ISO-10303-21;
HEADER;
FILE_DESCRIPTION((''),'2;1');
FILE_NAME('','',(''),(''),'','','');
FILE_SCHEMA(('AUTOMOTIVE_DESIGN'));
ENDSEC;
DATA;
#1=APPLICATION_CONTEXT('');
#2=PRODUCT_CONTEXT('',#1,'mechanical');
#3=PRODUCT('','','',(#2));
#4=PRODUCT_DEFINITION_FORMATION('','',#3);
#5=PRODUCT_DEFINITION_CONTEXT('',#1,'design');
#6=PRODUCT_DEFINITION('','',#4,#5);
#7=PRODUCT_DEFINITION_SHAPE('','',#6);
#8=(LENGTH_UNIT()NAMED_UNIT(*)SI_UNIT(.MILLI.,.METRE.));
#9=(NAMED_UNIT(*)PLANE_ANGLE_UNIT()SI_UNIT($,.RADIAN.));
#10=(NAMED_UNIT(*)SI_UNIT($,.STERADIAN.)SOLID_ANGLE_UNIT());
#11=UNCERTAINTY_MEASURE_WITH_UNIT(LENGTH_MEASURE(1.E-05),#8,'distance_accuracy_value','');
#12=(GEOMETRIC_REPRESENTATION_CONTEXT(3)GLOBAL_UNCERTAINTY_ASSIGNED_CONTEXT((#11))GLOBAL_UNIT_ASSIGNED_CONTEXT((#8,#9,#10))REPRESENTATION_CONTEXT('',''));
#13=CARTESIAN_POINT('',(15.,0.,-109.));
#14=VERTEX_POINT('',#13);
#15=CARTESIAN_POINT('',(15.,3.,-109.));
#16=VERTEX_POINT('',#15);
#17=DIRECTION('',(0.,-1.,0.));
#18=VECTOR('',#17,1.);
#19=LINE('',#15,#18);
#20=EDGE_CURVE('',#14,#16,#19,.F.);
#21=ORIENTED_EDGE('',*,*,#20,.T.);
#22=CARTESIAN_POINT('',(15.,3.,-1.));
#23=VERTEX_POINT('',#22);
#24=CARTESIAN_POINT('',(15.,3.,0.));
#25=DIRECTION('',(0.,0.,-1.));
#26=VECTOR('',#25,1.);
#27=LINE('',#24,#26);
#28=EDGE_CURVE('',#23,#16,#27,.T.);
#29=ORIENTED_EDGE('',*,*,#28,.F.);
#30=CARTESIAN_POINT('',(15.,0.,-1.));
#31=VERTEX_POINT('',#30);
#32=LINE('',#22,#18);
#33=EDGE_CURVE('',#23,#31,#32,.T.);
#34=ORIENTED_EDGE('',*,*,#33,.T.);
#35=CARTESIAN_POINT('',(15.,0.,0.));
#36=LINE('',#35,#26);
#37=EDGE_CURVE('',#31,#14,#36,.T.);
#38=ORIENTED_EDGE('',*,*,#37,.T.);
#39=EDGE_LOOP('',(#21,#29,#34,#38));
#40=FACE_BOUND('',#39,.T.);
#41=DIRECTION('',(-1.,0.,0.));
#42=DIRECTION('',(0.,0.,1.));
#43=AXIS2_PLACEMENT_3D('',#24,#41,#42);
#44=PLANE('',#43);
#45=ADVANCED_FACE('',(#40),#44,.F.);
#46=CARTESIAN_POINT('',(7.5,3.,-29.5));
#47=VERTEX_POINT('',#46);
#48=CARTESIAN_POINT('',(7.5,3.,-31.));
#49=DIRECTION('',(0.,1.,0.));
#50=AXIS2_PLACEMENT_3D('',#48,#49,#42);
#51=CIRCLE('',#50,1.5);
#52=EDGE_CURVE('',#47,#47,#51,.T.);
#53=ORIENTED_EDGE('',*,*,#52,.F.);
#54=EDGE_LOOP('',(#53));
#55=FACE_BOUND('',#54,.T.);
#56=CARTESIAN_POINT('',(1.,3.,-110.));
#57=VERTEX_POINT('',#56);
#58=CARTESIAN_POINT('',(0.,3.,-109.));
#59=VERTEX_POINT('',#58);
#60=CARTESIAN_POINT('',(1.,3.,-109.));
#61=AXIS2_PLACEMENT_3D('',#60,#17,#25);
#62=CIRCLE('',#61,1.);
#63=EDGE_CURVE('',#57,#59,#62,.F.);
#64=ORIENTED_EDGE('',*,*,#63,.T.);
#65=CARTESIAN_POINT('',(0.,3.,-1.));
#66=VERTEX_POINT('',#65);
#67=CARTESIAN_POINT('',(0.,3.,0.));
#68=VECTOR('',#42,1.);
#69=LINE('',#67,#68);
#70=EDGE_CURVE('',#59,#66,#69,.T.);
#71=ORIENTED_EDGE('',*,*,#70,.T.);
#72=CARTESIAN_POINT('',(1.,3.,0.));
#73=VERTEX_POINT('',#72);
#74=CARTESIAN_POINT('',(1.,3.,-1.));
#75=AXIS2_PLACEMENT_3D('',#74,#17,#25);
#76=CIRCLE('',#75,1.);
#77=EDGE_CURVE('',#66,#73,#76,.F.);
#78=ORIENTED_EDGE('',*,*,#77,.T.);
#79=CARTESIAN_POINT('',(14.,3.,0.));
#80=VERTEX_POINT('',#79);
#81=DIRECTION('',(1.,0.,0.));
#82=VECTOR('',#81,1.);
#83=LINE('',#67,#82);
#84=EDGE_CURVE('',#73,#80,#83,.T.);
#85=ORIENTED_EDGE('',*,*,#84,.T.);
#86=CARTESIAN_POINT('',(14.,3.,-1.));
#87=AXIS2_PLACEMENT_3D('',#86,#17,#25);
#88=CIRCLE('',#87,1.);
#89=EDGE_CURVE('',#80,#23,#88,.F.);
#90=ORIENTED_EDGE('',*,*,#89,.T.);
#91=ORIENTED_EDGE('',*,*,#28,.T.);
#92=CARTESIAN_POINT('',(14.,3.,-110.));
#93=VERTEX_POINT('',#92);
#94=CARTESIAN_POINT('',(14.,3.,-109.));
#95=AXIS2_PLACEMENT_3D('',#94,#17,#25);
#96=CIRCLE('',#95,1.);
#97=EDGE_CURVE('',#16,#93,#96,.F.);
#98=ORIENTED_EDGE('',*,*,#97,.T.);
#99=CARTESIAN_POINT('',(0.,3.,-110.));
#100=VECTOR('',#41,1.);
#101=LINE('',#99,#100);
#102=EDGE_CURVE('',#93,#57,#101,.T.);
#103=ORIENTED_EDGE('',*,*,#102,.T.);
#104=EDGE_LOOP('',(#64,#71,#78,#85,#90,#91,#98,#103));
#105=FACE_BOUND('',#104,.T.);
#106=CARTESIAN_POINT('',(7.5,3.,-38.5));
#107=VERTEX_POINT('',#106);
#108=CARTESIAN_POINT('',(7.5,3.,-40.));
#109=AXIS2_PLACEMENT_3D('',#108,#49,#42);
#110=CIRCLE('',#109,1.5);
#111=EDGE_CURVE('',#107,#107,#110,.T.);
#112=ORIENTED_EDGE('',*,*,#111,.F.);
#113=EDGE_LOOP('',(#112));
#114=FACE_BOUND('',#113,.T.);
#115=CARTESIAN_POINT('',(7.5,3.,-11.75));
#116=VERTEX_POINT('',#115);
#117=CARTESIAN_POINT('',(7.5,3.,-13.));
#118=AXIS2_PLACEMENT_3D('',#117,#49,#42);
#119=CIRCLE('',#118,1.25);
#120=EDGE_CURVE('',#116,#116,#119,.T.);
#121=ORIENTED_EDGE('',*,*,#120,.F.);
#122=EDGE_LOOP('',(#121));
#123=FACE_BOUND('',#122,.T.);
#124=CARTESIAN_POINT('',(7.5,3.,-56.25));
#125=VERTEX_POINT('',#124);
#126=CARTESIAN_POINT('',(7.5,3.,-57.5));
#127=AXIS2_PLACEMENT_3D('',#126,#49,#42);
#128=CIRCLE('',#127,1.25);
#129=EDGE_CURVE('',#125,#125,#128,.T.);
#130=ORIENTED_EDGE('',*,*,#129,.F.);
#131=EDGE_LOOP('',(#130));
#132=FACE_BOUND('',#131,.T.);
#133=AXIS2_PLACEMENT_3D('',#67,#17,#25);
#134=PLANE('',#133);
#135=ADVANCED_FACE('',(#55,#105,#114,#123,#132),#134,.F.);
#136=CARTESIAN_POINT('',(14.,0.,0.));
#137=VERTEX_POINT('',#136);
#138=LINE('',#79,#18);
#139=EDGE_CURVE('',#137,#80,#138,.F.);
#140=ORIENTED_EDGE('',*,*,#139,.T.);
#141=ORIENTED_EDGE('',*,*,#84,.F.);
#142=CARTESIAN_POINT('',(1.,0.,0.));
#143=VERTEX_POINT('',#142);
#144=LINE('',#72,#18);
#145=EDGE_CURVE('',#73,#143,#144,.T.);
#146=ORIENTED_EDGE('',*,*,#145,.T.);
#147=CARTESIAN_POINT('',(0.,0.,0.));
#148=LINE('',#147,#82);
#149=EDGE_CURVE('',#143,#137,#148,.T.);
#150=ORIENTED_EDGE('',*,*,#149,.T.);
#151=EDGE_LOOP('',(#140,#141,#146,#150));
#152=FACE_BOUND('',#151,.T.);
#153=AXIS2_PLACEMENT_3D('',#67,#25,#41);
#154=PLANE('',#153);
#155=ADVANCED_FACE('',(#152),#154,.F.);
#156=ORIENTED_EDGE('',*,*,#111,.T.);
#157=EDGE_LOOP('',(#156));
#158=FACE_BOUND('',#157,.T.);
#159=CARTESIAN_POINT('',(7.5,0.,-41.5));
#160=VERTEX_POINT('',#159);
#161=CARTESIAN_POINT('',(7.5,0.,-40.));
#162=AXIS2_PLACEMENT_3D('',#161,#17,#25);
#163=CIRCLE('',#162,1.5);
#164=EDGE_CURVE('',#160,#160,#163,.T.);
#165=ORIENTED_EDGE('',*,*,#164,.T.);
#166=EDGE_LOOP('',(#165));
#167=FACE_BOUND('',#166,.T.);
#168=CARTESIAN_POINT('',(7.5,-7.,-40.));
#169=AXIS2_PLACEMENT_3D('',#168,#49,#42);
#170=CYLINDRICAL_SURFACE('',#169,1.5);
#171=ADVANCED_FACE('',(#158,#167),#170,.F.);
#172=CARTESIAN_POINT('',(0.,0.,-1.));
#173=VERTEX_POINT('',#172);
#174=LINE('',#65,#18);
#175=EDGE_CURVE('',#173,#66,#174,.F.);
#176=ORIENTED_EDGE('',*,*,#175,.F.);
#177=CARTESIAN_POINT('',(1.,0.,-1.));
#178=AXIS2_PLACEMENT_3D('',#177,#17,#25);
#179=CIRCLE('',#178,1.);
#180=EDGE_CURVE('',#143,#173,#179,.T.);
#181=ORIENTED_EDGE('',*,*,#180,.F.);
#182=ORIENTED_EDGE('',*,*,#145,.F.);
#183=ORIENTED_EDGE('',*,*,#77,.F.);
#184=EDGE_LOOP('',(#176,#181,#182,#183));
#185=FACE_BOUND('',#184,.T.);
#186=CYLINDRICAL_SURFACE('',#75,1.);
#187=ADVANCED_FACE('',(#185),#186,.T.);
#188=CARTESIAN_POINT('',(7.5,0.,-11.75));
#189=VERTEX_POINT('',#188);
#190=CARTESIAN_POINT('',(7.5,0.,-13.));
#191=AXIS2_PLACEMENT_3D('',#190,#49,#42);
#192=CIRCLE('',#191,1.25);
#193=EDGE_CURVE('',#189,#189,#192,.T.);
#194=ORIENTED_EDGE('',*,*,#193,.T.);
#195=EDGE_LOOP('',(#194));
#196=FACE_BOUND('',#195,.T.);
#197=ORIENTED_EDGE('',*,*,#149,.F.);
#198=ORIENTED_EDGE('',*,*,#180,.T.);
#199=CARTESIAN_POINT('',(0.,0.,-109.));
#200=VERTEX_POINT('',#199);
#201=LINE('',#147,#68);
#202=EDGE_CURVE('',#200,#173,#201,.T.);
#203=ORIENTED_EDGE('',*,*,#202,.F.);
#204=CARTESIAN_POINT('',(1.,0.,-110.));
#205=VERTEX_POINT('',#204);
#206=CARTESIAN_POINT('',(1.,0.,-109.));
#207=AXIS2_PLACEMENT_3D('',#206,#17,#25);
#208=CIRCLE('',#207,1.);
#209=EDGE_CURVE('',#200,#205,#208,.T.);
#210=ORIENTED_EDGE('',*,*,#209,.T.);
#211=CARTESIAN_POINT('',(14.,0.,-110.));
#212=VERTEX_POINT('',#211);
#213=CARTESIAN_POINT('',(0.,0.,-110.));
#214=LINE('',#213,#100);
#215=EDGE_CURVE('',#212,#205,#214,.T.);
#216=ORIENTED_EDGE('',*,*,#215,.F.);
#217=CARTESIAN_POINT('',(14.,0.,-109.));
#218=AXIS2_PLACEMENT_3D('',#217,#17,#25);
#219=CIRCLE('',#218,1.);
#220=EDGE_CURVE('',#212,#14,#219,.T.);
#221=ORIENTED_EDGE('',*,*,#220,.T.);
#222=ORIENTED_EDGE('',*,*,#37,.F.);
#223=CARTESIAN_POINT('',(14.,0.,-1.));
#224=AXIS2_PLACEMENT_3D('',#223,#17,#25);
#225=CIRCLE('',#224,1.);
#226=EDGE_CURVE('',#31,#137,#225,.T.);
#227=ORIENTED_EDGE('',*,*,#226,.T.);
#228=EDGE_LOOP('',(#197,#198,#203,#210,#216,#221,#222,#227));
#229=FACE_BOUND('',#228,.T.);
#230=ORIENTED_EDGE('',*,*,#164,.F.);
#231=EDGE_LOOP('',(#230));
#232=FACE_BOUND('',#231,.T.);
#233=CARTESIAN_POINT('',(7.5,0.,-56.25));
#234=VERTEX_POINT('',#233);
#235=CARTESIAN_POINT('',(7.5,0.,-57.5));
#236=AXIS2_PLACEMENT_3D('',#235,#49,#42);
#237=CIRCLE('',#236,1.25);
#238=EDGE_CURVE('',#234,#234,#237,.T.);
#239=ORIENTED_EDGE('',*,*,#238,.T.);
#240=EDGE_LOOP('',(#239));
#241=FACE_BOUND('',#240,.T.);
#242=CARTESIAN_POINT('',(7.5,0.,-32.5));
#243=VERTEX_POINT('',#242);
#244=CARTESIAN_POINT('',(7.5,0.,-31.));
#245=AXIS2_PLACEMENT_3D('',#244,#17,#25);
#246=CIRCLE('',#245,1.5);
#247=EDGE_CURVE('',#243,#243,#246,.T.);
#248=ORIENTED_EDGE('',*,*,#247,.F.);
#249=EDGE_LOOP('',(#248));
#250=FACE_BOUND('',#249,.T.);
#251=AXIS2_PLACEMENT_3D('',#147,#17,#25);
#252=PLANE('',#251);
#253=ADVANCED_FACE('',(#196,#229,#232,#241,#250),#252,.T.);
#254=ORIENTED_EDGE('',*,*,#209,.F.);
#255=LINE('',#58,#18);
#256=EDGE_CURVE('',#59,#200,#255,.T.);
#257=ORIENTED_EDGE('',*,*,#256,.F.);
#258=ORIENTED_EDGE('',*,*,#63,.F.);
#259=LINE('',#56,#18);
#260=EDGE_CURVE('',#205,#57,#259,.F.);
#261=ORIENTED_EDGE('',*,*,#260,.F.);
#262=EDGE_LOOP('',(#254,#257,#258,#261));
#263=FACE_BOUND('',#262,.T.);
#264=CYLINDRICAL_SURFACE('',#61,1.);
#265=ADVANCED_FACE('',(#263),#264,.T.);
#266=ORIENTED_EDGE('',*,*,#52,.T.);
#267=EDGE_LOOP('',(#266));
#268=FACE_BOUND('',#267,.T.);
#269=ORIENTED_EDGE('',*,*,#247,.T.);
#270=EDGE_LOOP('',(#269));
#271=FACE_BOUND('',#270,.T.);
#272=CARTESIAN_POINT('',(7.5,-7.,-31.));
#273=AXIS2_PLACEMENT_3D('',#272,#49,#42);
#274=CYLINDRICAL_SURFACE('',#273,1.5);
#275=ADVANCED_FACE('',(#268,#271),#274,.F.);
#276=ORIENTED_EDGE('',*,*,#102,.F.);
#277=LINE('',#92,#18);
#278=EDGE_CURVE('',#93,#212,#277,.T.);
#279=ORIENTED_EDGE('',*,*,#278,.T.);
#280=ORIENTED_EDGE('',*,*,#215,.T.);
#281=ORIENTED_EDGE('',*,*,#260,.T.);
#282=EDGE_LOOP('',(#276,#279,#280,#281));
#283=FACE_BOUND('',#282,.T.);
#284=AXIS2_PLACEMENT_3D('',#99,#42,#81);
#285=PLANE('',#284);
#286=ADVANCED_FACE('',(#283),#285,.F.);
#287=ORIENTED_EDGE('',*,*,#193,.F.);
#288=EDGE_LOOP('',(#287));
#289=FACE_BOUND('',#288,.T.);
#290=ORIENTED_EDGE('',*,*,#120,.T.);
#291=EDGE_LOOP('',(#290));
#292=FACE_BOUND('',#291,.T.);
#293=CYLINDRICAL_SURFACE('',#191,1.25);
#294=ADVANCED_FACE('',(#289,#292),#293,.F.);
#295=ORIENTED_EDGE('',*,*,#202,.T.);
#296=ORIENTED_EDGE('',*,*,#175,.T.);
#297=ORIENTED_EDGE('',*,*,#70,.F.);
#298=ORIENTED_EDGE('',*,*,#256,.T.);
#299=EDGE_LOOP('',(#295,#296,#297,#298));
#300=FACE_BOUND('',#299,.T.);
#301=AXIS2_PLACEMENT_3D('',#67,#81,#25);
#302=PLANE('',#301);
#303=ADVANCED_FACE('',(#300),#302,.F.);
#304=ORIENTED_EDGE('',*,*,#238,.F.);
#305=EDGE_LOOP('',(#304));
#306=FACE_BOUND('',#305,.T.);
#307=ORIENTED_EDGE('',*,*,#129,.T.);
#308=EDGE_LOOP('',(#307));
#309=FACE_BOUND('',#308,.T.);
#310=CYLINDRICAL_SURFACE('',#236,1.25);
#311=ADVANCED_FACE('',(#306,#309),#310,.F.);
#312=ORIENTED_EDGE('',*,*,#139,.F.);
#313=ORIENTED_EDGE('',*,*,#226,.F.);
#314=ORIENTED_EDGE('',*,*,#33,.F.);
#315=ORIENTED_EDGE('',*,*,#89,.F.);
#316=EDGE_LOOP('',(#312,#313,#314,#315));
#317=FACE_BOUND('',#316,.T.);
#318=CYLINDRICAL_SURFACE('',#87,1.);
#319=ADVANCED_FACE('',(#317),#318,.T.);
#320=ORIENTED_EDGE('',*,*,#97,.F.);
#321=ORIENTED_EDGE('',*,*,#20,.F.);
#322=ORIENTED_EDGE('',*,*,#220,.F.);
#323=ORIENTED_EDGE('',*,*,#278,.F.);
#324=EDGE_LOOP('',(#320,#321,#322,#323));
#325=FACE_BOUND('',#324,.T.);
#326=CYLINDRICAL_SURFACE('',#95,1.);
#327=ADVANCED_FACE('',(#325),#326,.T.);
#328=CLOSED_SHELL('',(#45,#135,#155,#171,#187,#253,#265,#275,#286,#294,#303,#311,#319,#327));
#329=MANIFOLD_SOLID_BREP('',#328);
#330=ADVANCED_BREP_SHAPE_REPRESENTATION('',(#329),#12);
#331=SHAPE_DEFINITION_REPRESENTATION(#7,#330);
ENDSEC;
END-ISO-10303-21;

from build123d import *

# Parameters (mm, degrees)
SKETCH_1_W          = 15
SKETCH_1_H          = 110
EXTRUDE_1_DEPTH     = 3
FILLET_1_R          = 1
SKETCH_2_R          = 1.25
CUT_EXTRUDE_1_DEPTH = 3
SKETCH_3_R          = 1.5
CUT_EXTRUDE_2_DEPTH = 10


with BuildPart() as part:
    # 草图1 → 凸台-拉伸1 (new body)
    with BuildSketch(Plane(origin=(0, 0, 0), x_dir=(1, 0, 0), z_dir=(0, 1, 0))):
        with Locations((7.5, 55)):
            Rectangle(SKETCH_1_W, SKETCH_1_H)
    extrude(amount=EXTRUDE_1_DEPTH)

    # 圆角1
    fillet_1_edges = [part.edges().sort_by_distance(p)[0] for p in [
        (0, 1.5, -110),
        (15, 1.5, -110),
        (15, 1.5, 0),
        (0, 1.5, 0),
    ]]
    fillet(fillet_1_edges, radius=FILLET_1_R)

    # 草图2 → 切除-拉伸1 (cut)
    with BuildSketch(Plane(origin=(0, 3, 0), x_dir=(1, 0, 0), z_dir=(0, 1, 0))):
        with Locations((7.5, 13)):
            Circle(SKETCH_2_R)
        with Locations((7.5, 57.5)):
            Circle(SKETCH_2_R)
    extrude(amount=-CUT_EXTRUDE_1_DEPTH, mode=Mode.SUBTRACT)

    # 草图3 → 切除-拉伸2 (cut)
    with BuildSketch(Plane(origin=(0, 3, 0), x_dir=(1, 0, 0), z_dir=(0, 1, 0))):
        with Locations((7.5, 40)):
            Circle(SKETCH_3_R)
        with Locations((7.5, 31)):
            Circle(SKETCH_3_R)
    extrude(amount=-CUT_EXTRUDE_2_DEPTH, mode=Mode.SUBTRACT)


solid = part.part
